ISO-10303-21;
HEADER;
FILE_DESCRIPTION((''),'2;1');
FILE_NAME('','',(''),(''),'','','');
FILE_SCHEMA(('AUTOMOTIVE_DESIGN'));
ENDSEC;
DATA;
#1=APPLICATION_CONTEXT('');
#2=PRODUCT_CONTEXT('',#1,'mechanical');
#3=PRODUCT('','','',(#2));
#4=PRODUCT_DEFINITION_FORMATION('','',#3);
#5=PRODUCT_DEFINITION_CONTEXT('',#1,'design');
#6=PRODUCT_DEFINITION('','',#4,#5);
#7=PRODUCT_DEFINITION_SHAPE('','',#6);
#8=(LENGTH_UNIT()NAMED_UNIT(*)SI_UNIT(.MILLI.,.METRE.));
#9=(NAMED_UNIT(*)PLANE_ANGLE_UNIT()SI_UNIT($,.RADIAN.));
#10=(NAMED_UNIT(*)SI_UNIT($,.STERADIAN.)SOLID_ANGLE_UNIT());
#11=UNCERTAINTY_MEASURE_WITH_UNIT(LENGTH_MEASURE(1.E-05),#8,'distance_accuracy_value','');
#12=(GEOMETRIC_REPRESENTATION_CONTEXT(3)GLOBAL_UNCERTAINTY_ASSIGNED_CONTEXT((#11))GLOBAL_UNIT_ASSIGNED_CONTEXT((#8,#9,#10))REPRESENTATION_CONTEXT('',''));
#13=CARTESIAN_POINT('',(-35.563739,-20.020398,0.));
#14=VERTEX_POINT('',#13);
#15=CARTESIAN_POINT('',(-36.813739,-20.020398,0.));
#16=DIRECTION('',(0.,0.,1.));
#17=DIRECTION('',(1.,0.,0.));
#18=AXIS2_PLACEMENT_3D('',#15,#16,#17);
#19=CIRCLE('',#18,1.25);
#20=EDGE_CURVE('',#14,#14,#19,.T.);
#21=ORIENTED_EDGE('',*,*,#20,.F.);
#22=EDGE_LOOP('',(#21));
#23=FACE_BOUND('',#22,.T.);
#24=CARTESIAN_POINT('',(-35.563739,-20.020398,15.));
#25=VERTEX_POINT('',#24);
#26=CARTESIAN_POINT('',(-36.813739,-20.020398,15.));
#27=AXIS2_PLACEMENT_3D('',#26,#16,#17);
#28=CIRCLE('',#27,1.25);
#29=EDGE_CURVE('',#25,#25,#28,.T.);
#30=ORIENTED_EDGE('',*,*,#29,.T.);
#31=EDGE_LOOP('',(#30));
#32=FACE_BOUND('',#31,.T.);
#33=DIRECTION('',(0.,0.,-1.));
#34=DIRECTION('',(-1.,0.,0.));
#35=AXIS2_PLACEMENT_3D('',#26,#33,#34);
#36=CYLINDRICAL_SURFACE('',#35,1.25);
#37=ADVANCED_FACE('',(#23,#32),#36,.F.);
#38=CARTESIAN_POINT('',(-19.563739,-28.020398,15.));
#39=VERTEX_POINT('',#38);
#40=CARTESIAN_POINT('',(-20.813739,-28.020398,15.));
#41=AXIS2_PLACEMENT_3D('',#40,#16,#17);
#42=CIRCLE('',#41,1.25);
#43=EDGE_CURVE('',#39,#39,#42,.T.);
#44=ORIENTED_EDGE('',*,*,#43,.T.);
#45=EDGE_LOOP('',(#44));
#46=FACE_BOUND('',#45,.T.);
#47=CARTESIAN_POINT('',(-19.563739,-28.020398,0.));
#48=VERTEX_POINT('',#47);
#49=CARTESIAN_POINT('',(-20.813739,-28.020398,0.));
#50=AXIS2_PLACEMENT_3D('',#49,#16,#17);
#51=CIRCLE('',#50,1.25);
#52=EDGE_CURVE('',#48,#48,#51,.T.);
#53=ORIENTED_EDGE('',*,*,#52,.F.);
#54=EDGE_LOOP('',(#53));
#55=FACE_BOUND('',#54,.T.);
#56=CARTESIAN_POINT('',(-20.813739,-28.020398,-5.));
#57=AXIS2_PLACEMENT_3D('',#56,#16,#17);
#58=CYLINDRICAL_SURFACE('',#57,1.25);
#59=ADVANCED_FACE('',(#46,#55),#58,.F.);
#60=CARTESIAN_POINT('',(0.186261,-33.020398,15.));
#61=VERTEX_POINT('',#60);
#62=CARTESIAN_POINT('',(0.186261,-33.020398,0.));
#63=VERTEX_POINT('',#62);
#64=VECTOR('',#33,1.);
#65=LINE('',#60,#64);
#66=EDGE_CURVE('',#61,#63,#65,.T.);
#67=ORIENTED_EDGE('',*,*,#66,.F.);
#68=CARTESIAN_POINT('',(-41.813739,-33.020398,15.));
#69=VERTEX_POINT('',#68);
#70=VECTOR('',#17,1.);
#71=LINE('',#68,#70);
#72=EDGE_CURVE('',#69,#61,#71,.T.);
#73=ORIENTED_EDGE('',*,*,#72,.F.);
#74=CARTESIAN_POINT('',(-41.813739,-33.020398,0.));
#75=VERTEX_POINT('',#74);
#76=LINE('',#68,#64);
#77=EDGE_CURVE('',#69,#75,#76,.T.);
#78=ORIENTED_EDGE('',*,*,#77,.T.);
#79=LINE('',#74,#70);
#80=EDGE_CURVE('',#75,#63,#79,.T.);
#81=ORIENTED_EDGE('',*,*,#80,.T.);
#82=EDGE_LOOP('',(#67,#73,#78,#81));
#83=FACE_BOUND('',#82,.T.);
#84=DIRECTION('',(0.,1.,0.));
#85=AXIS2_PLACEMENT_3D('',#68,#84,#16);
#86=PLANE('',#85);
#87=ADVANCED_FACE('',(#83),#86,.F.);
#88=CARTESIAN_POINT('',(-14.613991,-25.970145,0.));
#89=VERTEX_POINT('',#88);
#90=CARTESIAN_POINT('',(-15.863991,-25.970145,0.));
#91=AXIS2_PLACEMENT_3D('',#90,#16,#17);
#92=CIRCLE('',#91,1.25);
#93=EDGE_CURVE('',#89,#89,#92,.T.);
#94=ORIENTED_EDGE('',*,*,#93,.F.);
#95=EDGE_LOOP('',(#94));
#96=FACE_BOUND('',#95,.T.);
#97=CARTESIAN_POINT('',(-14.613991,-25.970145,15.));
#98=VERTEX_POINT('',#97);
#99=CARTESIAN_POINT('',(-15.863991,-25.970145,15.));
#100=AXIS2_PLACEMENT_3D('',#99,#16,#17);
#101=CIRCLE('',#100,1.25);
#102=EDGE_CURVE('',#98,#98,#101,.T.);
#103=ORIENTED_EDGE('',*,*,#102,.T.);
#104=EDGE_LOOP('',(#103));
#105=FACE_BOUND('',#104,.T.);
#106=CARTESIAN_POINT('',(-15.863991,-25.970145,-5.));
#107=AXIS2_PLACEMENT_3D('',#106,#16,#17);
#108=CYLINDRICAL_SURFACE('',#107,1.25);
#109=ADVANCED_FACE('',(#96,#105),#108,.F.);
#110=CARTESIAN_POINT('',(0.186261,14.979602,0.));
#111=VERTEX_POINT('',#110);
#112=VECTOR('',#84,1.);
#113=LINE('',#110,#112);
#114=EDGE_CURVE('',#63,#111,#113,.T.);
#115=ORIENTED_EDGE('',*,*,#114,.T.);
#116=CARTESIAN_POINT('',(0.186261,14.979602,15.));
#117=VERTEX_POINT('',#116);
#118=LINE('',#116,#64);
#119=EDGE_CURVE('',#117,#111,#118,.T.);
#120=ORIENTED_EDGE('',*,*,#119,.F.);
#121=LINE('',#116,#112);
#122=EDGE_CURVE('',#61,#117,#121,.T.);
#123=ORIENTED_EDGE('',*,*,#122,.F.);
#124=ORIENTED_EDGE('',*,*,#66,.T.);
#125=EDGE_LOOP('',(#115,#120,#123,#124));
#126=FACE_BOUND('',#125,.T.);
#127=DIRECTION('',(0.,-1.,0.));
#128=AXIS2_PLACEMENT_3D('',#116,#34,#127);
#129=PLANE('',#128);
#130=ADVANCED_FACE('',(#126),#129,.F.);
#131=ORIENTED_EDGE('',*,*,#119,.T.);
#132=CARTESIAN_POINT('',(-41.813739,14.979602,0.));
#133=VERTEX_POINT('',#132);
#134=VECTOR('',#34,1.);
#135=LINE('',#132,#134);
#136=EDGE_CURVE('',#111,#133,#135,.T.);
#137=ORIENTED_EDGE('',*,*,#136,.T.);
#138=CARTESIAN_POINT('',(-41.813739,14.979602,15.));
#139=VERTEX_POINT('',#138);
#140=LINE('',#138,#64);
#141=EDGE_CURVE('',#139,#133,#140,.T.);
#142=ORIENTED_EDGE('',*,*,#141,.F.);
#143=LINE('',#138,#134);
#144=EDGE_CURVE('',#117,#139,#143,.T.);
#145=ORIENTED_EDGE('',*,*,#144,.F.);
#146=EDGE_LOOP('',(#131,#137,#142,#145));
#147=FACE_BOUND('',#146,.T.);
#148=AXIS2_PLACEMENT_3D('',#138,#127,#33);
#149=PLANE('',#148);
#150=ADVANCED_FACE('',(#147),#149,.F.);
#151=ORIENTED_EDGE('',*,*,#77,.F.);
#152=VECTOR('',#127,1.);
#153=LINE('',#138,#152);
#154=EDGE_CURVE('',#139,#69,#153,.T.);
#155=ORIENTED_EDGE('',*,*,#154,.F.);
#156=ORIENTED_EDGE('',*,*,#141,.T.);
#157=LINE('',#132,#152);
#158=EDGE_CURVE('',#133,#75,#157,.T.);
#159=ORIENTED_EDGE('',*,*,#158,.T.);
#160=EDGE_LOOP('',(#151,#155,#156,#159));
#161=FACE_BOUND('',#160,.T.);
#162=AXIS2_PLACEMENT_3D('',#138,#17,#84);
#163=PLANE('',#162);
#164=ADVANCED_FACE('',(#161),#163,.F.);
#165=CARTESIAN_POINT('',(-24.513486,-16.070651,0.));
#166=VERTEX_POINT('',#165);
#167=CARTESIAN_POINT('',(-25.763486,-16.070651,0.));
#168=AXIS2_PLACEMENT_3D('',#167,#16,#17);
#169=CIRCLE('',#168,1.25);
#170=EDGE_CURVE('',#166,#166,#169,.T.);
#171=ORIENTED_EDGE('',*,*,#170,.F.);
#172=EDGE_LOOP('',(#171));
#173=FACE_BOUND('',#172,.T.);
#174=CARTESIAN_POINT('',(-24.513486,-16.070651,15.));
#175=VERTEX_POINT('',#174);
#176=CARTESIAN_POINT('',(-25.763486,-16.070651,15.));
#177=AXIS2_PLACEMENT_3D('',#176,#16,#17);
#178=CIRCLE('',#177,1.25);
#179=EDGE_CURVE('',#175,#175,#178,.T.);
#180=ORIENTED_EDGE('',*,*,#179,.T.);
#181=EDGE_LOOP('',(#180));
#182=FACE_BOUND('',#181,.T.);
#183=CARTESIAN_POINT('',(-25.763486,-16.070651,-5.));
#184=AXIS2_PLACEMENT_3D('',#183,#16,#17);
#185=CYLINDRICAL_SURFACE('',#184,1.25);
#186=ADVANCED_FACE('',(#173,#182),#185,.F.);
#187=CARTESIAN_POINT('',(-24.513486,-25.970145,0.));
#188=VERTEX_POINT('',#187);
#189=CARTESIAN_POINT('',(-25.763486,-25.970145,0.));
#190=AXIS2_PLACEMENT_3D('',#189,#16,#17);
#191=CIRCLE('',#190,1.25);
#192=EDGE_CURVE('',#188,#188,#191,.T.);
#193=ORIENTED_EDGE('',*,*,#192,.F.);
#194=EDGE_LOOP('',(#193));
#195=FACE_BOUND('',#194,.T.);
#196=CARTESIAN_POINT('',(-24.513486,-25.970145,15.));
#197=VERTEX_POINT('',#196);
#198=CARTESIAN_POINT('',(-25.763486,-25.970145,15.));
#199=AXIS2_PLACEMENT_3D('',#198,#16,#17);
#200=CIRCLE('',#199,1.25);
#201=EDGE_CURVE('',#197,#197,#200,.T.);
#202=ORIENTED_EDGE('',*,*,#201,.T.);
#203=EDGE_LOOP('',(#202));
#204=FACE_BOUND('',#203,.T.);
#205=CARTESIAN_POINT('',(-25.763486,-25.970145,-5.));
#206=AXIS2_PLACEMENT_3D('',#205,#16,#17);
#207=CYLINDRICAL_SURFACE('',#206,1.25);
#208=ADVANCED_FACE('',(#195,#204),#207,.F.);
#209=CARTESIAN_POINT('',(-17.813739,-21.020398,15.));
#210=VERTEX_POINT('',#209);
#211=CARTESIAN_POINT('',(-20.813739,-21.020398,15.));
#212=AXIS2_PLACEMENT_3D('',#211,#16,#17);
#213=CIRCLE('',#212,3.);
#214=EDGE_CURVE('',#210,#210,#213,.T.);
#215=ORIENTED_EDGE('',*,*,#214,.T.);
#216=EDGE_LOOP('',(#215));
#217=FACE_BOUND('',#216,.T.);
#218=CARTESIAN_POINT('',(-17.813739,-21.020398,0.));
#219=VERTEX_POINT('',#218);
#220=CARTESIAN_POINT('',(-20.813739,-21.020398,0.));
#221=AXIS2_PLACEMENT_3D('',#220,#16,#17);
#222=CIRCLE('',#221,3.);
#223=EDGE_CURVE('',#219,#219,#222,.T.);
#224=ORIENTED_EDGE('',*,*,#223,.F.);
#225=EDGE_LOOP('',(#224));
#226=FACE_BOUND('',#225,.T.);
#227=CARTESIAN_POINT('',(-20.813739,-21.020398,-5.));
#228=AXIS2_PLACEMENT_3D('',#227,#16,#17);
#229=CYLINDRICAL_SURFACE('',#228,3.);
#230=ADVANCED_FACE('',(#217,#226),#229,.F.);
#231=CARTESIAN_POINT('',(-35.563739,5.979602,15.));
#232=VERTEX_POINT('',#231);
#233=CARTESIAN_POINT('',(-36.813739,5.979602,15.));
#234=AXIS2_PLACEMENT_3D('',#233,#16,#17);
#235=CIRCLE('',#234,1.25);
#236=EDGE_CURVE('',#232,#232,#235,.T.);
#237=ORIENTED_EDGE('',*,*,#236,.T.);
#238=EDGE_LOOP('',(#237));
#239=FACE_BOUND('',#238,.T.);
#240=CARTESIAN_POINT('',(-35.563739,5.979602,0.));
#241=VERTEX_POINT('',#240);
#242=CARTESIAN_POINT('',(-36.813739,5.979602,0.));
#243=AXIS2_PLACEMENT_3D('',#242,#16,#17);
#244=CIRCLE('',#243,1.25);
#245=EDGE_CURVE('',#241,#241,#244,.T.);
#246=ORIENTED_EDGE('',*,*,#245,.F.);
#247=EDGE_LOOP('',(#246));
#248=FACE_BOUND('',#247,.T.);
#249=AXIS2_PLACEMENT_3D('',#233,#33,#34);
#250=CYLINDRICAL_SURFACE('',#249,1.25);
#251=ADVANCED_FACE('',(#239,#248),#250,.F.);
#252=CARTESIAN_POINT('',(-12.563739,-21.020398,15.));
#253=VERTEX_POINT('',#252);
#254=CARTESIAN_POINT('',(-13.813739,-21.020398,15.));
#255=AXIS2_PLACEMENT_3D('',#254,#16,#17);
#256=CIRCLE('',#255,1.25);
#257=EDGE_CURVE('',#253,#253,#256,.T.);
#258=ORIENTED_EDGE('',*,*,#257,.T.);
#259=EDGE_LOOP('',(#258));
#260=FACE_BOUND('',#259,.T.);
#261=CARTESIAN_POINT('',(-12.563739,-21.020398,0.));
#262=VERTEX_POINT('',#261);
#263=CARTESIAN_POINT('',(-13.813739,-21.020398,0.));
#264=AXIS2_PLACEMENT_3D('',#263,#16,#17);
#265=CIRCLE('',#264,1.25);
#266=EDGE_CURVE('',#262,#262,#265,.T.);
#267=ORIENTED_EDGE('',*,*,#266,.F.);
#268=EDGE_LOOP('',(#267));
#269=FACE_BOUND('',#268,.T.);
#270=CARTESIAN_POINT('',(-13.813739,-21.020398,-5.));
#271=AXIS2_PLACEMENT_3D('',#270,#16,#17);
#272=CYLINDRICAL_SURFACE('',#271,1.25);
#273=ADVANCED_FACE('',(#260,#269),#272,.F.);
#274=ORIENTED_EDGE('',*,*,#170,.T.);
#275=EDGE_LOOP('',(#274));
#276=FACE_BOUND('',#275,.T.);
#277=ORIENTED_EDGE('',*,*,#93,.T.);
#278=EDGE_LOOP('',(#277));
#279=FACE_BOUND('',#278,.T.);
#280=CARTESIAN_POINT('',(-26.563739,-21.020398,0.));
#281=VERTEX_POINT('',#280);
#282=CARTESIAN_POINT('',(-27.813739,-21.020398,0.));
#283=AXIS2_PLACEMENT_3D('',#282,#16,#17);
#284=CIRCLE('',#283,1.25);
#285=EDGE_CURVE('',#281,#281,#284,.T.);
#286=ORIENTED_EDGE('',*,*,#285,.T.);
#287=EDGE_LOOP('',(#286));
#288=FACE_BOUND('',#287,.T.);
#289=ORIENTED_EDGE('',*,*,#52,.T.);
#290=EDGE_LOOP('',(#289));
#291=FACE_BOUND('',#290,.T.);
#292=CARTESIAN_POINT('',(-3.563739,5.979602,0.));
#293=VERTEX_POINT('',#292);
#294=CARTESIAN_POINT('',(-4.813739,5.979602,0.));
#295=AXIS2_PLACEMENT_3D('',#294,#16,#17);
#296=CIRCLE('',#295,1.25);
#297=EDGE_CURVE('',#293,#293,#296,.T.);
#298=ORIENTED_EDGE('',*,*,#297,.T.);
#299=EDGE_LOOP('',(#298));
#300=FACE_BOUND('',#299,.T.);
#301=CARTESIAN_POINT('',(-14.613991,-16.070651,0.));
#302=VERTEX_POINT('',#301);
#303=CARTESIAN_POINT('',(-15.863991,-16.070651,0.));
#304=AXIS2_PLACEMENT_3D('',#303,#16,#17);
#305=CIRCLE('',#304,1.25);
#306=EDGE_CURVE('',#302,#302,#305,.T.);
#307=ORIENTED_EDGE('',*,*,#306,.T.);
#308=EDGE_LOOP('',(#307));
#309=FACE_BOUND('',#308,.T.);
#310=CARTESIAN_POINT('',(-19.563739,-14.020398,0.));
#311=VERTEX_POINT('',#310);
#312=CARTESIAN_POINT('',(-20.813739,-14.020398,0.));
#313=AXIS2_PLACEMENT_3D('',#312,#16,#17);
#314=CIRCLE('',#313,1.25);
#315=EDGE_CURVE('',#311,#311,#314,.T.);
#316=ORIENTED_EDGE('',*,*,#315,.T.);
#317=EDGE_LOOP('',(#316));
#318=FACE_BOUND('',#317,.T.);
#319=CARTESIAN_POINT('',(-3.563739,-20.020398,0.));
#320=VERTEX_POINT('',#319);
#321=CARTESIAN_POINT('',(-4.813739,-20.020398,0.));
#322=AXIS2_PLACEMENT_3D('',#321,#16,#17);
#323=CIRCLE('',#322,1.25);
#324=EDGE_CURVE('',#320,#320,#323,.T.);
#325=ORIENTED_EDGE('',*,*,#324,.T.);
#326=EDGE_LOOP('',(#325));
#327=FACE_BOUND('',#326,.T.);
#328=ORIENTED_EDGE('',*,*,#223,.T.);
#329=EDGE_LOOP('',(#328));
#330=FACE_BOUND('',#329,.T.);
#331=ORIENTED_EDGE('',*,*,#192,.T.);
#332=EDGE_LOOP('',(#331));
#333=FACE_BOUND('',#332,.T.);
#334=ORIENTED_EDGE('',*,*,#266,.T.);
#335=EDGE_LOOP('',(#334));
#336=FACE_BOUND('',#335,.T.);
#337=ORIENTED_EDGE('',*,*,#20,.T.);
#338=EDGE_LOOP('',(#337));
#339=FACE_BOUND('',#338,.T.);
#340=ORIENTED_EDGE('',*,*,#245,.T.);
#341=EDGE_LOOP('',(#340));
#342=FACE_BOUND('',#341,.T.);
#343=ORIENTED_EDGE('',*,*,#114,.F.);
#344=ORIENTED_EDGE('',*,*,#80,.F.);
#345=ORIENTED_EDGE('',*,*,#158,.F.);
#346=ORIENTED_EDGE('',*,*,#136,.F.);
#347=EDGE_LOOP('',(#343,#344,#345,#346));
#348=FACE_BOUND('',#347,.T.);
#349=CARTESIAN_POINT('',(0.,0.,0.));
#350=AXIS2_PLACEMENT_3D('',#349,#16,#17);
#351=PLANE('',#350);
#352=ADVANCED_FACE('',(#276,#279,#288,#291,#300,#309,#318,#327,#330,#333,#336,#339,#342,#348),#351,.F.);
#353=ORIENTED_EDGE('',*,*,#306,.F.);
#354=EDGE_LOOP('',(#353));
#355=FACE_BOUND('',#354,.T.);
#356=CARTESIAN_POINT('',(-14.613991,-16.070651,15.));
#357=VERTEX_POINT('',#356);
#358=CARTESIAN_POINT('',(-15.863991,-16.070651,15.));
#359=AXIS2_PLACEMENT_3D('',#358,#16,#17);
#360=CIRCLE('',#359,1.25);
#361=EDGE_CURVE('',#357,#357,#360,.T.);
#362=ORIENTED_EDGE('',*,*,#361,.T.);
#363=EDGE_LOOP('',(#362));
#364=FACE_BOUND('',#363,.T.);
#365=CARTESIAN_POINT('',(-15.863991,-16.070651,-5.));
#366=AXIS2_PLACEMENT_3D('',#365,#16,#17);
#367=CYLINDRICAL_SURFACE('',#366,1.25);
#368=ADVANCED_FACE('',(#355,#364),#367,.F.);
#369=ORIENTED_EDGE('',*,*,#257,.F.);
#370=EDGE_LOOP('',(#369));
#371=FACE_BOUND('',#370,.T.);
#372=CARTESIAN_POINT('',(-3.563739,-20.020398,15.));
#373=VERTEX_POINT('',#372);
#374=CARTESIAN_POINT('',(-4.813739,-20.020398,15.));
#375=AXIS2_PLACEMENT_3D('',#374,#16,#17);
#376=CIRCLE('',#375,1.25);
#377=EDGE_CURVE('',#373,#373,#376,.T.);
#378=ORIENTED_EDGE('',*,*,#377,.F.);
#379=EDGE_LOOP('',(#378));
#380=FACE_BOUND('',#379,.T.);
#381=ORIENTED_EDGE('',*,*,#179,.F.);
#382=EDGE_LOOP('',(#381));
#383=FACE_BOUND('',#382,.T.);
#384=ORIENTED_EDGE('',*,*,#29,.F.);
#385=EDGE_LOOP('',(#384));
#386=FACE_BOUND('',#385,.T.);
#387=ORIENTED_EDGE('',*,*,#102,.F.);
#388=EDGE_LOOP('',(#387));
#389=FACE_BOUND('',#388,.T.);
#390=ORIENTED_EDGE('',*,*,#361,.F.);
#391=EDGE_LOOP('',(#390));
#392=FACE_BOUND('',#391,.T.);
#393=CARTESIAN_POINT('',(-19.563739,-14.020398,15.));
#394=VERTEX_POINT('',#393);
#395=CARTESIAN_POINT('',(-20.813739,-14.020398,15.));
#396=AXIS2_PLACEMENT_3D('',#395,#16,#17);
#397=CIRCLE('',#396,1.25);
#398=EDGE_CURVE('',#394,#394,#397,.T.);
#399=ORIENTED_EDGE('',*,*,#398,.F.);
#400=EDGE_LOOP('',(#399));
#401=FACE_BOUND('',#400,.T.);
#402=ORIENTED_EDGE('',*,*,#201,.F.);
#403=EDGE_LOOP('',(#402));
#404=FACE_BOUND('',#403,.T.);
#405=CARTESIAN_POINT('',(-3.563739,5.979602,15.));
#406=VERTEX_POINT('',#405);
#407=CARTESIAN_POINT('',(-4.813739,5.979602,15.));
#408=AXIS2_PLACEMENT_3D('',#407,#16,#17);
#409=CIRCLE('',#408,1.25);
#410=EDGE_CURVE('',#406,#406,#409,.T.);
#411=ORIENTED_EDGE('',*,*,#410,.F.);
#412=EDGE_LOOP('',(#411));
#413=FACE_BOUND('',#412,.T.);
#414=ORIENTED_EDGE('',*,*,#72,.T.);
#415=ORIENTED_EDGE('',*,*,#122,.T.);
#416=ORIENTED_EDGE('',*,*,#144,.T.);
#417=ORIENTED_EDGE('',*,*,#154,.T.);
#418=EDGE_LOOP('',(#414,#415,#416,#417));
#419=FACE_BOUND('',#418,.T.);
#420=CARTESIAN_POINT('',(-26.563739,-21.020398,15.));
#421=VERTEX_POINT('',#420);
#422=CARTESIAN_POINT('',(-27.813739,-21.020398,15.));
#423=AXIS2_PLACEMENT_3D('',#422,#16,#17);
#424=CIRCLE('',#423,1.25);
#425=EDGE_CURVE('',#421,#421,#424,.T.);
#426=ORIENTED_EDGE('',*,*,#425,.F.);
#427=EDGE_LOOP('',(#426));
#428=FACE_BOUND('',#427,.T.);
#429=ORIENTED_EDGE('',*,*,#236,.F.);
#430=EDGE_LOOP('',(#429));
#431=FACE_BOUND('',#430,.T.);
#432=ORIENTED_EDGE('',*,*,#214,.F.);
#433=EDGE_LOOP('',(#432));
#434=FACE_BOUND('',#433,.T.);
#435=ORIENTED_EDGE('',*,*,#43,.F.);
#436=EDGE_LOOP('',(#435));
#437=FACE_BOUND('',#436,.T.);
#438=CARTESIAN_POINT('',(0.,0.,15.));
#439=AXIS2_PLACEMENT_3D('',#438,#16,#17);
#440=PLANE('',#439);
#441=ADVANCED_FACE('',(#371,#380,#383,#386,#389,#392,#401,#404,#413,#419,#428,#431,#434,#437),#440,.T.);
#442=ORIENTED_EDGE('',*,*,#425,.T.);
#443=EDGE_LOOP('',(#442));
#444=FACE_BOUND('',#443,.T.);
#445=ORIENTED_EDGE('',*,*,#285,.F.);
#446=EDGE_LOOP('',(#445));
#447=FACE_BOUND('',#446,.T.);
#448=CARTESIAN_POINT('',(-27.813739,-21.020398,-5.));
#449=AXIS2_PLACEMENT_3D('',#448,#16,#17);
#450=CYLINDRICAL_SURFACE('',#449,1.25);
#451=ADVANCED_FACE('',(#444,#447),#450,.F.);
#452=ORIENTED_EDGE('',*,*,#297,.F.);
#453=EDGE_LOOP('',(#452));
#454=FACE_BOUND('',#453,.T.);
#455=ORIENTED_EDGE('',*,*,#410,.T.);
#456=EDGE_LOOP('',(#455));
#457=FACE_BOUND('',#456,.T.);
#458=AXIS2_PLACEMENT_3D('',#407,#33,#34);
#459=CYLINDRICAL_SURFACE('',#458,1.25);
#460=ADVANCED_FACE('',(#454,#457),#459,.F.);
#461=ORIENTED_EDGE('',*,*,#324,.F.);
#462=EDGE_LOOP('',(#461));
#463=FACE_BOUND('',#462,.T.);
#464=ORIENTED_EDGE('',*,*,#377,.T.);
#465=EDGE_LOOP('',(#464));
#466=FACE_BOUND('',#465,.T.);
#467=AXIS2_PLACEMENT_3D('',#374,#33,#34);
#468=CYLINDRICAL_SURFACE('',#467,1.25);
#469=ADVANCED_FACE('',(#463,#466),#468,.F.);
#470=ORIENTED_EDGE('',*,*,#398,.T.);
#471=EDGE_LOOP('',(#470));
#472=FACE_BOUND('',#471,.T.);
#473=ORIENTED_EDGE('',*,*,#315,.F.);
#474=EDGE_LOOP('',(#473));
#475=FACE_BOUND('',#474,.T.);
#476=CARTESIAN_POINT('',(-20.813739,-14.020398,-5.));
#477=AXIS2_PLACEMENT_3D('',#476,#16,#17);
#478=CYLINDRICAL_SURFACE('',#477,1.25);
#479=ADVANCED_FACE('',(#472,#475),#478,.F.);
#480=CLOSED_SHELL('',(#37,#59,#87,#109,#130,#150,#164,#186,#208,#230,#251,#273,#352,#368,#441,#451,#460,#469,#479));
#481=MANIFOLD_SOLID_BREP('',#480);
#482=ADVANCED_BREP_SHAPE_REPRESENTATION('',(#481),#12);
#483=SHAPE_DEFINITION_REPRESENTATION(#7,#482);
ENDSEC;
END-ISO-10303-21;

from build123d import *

# Parameters (mm, degrees)
SKETCH_1_W          = 42
SKETCH_1_H          = 48
SKETCH_1_R          = 1.25
EXTRUDE_1_DEPTH     = 15
SKETCH_2_R          = 3
SKETCH_2_R_2        = 1.25
CUT_EXTRUDE_1_DEPTH = 20


with BuildPart() as part:
    # 草圖1 → 填料-伸長1 (new body)
    with BuildSketch(Plane.XY):
        with Locations((-20.813738939, -9.020397992)):
            Rectangle(SKETCH_1_W, SKETCH_1_H)
        with Locations((-36.813738939, 5.979602008)):
            Circle(SKETCH_1_R, mode=Mode.SUBTRACT)
        with Locations((-36.813738939, -20.020397992)):
            Circle(SKETCH_1_R, mode=Mode.SUBTRACT)
        with Locations((-4.813738939, -20.020397992)):
            Circle(SKETCH_1_R, mode=Mode.SUBTRACT)
        with Locations((-4.813738939, 5.979602008)):
            Circle(SKETCH_1_R, mode=Mode.SUBTRACT)
    extrude(amount=EXTRUDE_1_DEPTH)

    # 草圖2 → 除料-伸長1 (cut)
    with BuildSketch(Plane.XY.offset(15)):
        with Locations((-20.813738939, -21.020397992)):
            Circle(SKETCH_2_R)
        with Locations((-20.813738939, -14.020397992)):
            Circle(SKETCH_2_R_2)
        with Locations((-25.763486407, -16.070650524)):
            Circle(SKETCH_2_R_2)
        with Locations((-27.813738939, -21.020397992)):
            Circle(SKETCH_2_R_2)
        with Locations((-25.763486407, -25.970145461)):
            Circle(SKETCH_2_R_2)
        with Locations((-20.813738939, -28.020397992)):
            Circle(SKETCH_2_R_2)
        with Locations((-15.86399147, -25.970145461)):
            Circle(SKETCH_2_R_2)
        with Locations((-13.813738939, -21.020397992)):
            Circle(SKETCH_2_R_2)
        with Locations((-15.86399147, -16.070650524)):
            Circle(SKETCH_2_R_2)
    extrude(amount=-CUT_EXTRUDE_1_DEPTH, mode=Mode.SUBTRACT)


solid = part.part
